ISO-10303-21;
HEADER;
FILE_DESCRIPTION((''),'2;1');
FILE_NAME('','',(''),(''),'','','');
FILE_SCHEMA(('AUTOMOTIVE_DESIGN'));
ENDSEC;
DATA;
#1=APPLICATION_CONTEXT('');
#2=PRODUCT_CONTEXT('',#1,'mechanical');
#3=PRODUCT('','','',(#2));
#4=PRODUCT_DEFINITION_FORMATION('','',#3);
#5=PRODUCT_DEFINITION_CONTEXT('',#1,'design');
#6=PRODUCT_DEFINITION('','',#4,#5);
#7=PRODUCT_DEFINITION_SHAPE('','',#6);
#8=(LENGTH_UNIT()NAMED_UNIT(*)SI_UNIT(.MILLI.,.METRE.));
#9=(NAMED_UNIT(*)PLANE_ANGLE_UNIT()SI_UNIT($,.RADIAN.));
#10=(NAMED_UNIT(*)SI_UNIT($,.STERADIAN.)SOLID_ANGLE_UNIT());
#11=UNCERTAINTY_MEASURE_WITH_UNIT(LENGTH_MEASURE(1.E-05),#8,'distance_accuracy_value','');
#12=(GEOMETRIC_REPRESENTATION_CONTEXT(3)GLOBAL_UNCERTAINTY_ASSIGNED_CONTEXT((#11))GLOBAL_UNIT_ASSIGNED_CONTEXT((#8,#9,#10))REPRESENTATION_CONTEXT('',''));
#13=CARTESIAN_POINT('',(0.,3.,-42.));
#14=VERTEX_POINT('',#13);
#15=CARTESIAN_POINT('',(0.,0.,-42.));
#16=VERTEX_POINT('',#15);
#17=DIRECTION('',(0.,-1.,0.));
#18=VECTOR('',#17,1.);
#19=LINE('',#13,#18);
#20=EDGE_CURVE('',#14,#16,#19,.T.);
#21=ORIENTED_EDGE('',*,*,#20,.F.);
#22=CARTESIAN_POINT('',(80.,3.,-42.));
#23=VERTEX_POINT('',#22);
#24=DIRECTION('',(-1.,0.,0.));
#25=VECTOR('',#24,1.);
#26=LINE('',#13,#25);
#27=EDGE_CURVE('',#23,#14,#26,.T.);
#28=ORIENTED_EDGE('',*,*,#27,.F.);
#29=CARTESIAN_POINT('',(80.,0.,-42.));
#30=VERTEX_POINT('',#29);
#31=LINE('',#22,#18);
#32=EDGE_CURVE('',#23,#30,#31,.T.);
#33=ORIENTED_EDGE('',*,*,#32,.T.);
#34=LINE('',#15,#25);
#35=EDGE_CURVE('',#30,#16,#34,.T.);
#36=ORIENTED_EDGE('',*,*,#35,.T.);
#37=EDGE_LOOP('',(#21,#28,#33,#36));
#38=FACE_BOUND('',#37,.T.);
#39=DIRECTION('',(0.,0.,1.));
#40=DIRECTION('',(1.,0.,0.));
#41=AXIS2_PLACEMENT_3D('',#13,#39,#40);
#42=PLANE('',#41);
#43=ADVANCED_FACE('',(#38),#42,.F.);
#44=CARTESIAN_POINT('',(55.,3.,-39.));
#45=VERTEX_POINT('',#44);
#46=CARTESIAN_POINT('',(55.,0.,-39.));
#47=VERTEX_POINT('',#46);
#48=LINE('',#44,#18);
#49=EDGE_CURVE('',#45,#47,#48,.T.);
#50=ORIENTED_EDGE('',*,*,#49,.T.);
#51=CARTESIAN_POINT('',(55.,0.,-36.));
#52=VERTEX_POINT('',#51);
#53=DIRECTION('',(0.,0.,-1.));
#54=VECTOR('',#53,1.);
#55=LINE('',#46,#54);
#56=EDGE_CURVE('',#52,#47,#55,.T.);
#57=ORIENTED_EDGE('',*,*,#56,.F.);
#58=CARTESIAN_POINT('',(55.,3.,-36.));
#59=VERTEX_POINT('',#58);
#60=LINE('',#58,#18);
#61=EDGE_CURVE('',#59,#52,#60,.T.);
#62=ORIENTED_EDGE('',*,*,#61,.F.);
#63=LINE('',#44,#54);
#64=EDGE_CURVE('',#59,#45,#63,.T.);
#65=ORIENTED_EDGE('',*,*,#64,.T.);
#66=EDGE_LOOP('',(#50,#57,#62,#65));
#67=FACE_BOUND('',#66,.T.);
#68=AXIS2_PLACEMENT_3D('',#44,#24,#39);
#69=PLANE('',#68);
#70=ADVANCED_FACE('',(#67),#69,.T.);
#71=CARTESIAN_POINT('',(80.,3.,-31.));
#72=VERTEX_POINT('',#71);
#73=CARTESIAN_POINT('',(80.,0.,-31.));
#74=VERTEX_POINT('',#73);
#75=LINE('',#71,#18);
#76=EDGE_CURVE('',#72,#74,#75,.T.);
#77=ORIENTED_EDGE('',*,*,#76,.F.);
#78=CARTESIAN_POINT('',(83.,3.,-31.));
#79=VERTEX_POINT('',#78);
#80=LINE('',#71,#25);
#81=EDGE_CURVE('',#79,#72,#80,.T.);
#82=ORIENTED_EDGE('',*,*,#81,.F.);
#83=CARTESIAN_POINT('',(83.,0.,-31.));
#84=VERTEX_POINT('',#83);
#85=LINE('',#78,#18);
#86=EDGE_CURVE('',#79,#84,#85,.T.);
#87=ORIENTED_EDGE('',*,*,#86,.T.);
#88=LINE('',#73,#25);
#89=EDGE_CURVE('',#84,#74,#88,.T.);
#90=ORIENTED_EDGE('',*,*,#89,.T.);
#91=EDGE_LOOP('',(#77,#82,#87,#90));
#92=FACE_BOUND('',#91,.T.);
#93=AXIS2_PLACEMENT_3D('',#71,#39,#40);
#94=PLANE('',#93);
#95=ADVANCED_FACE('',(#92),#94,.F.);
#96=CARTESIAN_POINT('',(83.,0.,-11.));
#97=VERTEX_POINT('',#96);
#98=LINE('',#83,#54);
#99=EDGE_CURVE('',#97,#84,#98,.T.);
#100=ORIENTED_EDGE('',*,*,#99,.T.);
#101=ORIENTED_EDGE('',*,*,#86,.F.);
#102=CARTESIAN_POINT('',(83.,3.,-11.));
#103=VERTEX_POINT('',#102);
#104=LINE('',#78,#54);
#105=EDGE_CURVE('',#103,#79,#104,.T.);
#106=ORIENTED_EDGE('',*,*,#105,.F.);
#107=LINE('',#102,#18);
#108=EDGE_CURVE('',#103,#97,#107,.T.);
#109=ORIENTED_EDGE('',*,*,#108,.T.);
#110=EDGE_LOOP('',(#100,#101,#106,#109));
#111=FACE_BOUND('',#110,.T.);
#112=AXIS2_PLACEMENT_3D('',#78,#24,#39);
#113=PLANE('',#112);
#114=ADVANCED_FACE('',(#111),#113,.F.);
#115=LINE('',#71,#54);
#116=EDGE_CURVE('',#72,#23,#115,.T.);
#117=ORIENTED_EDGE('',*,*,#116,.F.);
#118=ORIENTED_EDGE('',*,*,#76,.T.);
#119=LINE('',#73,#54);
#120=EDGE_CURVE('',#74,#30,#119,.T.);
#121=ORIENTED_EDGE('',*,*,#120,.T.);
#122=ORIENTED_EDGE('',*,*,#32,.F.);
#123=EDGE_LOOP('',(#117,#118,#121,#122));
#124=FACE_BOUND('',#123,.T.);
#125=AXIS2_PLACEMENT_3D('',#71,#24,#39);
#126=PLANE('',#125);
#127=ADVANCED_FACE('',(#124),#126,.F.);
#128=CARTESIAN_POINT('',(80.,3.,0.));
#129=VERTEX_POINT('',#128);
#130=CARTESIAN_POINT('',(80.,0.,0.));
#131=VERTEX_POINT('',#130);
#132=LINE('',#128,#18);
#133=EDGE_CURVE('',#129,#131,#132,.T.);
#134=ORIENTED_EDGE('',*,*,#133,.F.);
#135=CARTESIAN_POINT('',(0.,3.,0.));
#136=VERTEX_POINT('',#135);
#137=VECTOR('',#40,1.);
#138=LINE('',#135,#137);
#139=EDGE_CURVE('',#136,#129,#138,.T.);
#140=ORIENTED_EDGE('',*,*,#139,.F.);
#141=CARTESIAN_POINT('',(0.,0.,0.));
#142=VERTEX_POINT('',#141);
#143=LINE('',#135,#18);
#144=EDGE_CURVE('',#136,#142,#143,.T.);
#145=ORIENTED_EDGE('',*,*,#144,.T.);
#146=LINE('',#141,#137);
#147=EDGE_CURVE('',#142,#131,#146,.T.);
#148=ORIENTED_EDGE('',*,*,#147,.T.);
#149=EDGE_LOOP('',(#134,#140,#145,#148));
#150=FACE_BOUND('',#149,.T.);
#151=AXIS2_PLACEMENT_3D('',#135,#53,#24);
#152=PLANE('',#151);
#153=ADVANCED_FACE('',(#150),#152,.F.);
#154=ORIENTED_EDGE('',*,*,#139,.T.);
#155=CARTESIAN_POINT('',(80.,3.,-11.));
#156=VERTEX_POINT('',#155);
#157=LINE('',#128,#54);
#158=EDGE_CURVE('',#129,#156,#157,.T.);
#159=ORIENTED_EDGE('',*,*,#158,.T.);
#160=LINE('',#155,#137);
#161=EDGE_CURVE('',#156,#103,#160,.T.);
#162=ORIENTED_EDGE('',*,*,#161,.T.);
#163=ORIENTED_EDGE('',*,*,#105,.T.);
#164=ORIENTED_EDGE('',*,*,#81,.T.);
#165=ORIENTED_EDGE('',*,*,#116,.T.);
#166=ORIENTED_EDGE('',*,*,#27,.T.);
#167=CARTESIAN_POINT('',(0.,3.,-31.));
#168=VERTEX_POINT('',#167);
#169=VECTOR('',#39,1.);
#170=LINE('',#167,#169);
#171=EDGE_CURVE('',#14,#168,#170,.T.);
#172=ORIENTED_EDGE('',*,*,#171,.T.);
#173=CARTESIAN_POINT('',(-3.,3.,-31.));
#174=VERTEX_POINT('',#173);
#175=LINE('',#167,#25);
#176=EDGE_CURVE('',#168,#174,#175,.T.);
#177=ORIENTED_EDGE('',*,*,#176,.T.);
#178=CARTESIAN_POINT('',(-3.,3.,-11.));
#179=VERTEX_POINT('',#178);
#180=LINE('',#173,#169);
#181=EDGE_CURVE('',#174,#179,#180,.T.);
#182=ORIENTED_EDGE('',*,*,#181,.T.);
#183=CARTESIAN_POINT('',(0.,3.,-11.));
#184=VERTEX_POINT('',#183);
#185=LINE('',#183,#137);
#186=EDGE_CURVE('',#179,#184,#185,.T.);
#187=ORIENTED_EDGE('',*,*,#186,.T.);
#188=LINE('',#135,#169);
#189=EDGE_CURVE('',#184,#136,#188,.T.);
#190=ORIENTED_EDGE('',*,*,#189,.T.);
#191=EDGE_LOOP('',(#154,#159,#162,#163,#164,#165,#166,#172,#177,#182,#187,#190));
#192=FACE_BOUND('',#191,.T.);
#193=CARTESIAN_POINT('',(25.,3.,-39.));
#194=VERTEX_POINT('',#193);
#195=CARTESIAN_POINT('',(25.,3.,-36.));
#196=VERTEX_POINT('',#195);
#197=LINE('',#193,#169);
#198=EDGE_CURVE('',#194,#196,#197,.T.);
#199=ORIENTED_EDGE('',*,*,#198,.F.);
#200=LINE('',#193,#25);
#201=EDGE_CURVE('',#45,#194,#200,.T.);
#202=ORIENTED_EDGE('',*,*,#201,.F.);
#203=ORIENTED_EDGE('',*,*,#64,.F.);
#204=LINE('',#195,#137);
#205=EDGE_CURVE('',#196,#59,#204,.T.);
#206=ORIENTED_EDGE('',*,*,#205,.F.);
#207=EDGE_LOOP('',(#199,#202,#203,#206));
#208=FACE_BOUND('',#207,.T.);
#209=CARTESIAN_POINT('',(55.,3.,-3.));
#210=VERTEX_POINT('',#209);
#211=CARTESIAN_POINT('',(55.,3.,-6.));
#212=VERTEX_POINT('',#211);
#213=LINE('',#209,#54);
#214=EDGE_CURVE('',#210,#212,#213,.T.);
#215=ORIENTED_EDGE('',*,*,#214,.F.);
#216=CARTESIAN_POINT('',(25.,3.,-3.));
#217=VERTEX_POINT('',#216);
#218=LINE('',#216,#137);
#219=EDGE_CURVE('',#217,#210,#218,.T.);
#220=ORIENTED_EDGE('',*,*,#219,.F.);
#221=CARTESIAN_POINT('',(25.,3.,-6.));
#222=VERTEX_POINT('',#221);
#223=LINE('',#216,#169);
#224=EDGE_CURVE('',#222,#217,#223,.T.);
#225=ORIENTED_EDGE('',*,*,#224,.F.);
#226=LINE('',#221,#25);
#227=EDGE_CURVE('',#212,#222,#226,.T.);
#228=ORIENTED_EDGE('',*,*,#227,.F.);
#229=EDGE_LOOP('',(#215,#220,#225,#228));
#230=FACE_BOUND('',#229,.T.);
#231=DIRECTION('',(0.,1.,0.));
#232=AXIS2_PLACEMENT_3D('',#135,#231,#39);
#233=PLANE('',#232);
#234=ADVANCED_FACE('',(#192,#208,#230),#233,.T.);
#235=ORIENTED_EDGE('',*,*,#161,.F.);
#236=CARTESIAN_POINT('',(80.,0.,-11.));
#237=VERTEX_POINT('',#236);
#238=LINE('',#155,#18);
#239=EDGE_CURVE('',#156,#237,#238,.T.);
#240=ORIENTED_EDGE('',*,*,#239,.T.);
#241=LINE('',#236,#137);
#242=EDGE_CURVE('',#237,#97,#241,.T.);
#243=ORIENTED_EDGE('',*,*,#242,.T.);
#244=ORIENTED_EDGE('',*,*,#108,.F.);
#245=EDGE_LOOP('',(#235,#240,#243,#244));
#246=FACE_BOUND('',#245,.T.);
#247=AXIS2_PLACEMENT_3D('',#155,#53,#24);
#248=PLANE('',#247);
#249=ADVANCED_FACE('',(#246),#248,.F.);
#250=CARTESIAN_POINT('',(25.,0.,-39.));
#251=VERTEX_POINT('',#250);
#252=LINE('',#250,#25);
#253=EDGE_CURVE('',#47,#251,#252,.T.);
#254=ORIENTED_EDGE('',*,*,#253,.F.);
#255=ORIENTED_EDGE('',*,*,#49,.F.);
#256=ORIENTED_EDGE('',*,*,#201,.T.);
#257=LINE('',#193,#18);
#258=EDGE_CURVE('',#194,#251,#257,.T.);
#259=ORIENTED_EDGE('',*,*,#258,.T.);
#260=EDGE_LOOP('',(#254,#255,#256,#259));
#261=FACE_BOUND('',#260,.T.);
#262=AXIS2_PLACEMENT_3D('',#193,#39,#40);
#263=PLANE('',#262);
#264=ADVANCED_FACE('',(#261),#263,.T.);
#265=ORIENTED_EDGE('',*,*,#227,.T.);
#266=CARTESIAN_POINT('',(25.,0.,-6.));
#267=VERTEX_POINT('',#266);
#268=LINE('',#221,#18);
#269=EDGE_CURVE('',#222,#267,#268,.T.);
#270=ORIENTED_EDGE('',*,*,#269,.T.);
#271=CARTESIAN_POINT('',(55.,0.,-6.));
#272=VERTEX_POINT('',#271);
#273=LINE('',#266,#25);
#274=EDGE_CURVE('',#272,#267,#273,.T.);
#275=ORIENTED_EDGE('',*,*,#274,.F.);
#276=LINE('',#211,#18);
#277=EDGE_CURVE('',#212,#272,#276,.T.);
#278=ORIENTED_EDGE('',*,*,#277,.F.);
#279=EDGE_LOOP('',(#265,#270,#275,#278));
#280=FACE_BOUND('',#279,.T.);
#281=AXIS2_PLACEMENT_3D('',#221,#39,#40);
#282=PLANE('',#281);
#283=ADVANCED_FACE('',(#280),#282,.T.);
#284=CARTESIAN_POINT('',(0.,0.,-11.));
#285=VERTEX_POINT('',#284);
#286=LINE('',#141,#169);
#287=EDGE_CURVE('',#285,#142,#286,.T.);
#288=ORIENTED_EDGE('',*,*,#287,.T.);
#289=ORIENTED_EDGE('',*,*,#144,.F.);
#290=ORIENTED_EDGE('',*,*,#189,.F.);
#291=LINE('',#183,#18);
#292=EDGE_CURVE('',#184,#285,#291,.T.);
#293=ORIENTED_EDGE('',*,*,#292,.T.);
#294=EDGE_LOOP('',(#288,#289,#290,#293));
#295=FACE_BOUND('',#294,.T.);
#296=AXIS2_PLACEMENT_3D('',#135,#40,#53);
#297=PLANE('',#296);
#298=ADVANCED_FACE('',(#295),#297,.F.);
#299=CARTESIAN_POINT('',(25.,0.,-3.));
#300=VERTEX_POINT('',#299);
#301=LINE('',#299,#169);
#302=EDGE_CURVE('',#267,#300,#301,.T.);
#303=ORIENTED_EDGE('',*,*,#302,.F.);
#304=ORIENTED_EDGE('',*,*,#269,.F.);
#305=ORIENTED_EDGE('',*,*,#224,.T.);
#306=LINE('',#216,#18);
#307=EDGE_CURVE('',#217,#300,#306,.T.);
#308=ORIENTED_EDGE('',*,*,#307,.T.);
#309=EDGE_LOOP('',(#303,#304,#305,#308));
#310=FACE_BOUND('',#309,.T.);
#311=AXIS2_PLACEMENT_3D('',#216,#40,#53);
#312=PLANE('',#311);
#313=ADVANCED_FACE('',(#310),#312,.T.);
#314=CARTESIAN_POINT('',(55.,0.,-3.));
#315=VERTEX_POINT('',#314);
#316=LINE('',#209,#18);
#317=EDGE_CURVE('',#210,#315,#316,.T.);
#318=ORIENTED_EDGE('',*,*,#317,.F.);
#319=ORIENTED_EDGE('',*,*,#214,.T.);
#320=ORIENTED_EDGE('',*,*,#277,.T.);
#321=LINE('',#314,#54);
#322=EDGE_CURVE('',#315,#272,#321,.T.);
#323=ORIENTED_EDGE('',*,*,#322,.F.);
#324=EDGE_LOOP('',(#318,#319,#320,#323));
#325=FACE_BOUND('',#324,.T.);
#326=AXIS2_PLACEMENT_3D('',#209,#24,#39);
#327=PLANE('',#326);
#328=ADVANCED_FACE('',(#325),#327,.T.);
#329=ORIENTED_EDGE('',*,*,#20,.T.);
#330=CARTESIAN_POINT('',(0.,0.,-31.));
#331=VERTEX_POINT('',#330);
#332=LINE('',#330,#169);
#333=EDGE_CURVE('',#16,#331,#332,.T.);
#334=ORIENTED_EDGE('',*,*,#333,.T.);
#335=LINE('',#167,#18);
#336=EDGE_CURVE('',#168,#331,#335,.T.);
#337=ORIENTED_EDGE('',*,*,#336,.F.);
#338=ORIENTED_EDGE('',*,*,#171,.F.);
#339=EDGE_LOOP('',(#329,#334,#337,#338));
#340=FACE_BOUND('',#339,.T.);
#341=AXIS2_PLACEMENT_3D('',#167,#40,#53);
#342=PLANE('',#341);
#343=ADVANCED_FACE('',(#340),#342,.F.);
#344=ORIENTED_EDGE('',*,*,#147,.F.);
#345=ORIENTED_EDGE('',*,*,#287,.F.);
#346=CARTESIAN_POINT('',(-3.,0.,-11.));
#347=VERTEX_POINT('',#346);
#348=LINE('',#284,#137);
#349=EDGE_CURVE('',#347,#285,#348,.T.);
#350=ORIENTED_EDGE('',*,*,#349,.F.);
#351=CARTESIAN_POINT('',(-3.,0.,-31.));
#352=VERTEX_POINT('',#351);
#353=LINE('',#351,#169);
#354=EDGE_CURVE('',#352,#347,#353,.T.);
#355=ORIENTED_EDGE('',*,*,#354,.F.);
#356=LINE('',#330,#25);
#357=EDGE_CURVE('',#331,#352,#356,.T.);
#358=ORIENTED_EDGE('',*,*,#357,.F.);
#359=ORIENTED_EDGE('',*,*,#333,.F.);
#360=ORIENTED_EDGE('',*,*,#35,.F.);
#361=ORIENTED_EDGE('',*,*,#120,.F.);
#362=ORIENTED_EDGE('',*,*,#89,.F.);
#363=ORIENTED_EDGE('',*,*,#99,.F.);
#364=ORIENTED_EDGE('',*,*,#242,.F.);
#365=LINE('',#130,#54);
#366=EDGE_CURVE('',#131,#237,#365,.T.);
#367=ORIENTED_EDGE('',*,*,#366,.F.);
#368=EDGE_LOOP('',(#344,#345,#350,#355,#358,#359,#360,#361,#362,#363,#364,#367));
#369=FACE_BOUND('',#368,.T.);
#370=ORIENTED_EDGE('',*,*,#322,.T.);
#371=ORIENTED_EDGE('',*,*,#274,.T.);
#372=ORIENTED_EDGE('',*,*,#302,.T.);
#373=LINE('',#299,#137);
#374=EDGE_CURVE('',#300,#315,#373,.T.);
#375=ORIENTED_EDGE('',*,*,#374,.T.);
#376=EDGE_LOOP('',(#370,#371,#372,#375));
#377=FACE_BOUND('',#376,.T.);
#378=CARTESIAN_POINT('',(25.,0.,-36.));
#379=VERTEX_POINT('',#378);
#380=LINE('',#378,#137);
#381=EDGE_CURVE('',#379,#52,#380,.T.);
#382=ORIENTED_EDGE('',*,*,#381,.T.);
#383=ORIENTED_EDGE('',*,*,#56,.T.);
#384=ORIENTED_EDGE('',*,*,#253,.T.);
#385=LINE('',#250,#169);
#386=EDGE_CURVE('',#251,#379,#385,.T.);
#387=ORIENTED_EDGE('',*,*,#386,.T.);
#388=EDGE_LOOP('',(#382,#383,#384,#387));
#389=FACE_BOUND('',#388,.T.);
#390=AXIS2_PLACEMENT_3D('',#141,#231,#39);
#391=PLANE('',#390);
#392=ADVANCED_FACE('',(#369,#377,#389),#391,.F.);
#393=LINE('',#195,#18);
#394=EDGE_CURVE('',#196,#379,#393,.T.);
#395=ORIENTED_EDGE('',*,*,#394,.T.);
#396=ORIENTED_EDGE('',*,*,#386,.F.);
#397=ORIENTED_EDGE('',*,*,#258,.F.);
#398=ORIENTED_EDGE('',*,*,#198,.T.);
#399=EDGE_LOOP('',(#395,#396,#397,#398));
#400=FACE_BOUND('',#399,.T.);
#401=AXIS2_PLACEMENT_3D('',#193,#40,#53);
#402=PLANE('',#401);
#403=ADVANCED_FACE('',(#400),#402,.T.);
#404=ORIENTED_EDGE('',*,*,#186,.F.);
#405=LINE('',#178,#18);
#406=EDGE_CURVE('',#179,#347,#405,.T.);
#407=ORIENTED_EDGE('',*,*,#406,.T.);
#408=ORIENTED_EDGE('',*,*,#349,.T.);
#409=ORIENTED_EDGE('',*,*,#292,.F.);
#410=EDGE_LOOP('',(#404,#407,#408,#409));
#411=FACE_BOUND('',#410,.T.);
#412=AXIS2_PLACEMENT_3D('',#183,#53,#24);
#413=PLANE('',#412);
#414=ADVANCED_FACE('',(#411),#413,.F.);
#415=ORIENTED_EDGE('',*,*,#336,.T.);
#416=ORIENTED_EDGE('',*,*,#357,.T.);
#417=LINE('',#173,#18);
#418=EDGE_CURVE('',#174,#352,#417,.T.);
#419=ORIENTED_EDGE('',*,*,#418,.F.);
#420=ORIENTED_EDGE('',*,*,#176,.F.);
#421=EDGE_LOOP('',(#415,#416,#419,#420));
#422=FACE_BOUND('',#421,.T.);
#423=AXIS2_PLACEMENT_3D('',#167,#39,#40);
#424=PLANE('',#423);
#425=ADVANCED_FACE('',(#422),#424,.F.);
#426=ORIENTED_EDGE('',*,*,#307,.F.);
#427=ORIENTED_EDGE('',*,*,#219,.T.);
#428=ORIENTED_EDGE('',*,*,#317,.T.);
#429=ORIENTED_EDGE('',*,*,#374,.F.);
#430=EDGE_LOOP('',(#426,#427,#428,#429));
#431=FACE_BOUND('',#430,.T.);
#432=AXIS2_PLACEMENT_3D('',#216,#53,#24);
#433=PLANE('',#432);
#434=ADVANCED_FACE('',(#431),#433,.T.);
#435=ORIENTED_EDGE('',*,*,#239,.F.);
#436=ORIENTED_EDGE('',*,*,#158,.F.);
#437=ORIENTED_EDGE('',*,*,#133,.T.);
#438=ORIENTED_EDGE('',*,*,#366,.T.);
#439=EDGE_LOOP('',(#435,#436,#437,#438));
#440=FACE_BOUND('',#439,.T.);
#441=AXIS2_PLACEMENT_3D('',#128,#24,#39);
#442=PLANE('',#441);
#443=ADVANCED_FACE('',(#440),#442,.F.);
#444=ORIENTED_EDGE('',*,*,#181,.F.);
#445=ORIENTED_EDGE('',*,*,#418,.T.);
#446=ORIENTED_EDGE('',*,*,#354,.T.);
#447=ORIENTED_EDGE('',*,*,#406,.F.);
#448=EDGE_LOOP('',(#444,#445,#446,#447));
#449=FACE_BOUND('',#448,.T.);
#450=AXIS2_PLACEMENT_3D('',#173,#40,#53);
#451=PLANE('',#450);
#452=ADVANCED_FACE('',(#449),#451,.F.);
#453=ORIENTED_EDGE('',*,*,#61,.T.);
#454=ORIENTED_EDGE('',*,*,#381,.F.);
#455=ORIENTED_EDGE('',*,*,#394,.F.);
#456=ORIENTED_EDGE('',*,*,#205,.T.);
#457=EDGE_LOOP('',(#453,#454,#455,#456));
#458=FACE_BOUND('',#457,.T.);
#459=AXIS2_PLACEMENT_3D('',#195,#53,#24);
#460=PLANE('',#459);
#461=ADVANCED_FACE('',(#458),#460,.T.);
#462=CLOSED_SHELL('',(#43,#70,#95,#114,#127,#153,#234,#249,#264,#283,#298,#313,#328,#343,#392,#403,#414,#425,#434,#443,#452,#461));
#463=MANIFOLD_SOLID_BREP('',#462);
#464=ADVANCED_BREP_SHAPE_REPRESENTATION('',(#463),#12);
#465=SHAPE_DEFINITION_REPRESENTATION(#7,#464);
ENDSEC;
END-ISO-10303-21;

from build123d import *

# Parameters (mm, degrees)
SKETCH1_W           = 30
SKETCH1_H           = 3
BOSS_EXTRUDE1_DEPTH = 3


with BuildPart() as part:
    # Sketch1 → Boss-Extrude1 (new body)
    with BuildSketch(Plane(origin=(0, 0, 0), x_dir=(1, 0, 0), z_dir=(0, 1, 0))):
        Polygon((0, 31), (0, 42), (80, 42), (80, 31), (83, 31), (83, 11), (80, 11), (80, 0), (0, 0), (0, 11), (-3, 11), (-3, 31), align=None)
        with Locations((40, 37.5)):
            Rectangle(SKETCH1_W, SKETCH1_H, mode=Mode.SUBTRACT)
        with Locations((40, 4.5)):
            Rectangle(SKETCH1_W, SKETCH1_H, mode=Mode.SUBTRACT)
    extrude(amount=BOSS_EXTRUDE1_DEPTH)


solid = part.part
